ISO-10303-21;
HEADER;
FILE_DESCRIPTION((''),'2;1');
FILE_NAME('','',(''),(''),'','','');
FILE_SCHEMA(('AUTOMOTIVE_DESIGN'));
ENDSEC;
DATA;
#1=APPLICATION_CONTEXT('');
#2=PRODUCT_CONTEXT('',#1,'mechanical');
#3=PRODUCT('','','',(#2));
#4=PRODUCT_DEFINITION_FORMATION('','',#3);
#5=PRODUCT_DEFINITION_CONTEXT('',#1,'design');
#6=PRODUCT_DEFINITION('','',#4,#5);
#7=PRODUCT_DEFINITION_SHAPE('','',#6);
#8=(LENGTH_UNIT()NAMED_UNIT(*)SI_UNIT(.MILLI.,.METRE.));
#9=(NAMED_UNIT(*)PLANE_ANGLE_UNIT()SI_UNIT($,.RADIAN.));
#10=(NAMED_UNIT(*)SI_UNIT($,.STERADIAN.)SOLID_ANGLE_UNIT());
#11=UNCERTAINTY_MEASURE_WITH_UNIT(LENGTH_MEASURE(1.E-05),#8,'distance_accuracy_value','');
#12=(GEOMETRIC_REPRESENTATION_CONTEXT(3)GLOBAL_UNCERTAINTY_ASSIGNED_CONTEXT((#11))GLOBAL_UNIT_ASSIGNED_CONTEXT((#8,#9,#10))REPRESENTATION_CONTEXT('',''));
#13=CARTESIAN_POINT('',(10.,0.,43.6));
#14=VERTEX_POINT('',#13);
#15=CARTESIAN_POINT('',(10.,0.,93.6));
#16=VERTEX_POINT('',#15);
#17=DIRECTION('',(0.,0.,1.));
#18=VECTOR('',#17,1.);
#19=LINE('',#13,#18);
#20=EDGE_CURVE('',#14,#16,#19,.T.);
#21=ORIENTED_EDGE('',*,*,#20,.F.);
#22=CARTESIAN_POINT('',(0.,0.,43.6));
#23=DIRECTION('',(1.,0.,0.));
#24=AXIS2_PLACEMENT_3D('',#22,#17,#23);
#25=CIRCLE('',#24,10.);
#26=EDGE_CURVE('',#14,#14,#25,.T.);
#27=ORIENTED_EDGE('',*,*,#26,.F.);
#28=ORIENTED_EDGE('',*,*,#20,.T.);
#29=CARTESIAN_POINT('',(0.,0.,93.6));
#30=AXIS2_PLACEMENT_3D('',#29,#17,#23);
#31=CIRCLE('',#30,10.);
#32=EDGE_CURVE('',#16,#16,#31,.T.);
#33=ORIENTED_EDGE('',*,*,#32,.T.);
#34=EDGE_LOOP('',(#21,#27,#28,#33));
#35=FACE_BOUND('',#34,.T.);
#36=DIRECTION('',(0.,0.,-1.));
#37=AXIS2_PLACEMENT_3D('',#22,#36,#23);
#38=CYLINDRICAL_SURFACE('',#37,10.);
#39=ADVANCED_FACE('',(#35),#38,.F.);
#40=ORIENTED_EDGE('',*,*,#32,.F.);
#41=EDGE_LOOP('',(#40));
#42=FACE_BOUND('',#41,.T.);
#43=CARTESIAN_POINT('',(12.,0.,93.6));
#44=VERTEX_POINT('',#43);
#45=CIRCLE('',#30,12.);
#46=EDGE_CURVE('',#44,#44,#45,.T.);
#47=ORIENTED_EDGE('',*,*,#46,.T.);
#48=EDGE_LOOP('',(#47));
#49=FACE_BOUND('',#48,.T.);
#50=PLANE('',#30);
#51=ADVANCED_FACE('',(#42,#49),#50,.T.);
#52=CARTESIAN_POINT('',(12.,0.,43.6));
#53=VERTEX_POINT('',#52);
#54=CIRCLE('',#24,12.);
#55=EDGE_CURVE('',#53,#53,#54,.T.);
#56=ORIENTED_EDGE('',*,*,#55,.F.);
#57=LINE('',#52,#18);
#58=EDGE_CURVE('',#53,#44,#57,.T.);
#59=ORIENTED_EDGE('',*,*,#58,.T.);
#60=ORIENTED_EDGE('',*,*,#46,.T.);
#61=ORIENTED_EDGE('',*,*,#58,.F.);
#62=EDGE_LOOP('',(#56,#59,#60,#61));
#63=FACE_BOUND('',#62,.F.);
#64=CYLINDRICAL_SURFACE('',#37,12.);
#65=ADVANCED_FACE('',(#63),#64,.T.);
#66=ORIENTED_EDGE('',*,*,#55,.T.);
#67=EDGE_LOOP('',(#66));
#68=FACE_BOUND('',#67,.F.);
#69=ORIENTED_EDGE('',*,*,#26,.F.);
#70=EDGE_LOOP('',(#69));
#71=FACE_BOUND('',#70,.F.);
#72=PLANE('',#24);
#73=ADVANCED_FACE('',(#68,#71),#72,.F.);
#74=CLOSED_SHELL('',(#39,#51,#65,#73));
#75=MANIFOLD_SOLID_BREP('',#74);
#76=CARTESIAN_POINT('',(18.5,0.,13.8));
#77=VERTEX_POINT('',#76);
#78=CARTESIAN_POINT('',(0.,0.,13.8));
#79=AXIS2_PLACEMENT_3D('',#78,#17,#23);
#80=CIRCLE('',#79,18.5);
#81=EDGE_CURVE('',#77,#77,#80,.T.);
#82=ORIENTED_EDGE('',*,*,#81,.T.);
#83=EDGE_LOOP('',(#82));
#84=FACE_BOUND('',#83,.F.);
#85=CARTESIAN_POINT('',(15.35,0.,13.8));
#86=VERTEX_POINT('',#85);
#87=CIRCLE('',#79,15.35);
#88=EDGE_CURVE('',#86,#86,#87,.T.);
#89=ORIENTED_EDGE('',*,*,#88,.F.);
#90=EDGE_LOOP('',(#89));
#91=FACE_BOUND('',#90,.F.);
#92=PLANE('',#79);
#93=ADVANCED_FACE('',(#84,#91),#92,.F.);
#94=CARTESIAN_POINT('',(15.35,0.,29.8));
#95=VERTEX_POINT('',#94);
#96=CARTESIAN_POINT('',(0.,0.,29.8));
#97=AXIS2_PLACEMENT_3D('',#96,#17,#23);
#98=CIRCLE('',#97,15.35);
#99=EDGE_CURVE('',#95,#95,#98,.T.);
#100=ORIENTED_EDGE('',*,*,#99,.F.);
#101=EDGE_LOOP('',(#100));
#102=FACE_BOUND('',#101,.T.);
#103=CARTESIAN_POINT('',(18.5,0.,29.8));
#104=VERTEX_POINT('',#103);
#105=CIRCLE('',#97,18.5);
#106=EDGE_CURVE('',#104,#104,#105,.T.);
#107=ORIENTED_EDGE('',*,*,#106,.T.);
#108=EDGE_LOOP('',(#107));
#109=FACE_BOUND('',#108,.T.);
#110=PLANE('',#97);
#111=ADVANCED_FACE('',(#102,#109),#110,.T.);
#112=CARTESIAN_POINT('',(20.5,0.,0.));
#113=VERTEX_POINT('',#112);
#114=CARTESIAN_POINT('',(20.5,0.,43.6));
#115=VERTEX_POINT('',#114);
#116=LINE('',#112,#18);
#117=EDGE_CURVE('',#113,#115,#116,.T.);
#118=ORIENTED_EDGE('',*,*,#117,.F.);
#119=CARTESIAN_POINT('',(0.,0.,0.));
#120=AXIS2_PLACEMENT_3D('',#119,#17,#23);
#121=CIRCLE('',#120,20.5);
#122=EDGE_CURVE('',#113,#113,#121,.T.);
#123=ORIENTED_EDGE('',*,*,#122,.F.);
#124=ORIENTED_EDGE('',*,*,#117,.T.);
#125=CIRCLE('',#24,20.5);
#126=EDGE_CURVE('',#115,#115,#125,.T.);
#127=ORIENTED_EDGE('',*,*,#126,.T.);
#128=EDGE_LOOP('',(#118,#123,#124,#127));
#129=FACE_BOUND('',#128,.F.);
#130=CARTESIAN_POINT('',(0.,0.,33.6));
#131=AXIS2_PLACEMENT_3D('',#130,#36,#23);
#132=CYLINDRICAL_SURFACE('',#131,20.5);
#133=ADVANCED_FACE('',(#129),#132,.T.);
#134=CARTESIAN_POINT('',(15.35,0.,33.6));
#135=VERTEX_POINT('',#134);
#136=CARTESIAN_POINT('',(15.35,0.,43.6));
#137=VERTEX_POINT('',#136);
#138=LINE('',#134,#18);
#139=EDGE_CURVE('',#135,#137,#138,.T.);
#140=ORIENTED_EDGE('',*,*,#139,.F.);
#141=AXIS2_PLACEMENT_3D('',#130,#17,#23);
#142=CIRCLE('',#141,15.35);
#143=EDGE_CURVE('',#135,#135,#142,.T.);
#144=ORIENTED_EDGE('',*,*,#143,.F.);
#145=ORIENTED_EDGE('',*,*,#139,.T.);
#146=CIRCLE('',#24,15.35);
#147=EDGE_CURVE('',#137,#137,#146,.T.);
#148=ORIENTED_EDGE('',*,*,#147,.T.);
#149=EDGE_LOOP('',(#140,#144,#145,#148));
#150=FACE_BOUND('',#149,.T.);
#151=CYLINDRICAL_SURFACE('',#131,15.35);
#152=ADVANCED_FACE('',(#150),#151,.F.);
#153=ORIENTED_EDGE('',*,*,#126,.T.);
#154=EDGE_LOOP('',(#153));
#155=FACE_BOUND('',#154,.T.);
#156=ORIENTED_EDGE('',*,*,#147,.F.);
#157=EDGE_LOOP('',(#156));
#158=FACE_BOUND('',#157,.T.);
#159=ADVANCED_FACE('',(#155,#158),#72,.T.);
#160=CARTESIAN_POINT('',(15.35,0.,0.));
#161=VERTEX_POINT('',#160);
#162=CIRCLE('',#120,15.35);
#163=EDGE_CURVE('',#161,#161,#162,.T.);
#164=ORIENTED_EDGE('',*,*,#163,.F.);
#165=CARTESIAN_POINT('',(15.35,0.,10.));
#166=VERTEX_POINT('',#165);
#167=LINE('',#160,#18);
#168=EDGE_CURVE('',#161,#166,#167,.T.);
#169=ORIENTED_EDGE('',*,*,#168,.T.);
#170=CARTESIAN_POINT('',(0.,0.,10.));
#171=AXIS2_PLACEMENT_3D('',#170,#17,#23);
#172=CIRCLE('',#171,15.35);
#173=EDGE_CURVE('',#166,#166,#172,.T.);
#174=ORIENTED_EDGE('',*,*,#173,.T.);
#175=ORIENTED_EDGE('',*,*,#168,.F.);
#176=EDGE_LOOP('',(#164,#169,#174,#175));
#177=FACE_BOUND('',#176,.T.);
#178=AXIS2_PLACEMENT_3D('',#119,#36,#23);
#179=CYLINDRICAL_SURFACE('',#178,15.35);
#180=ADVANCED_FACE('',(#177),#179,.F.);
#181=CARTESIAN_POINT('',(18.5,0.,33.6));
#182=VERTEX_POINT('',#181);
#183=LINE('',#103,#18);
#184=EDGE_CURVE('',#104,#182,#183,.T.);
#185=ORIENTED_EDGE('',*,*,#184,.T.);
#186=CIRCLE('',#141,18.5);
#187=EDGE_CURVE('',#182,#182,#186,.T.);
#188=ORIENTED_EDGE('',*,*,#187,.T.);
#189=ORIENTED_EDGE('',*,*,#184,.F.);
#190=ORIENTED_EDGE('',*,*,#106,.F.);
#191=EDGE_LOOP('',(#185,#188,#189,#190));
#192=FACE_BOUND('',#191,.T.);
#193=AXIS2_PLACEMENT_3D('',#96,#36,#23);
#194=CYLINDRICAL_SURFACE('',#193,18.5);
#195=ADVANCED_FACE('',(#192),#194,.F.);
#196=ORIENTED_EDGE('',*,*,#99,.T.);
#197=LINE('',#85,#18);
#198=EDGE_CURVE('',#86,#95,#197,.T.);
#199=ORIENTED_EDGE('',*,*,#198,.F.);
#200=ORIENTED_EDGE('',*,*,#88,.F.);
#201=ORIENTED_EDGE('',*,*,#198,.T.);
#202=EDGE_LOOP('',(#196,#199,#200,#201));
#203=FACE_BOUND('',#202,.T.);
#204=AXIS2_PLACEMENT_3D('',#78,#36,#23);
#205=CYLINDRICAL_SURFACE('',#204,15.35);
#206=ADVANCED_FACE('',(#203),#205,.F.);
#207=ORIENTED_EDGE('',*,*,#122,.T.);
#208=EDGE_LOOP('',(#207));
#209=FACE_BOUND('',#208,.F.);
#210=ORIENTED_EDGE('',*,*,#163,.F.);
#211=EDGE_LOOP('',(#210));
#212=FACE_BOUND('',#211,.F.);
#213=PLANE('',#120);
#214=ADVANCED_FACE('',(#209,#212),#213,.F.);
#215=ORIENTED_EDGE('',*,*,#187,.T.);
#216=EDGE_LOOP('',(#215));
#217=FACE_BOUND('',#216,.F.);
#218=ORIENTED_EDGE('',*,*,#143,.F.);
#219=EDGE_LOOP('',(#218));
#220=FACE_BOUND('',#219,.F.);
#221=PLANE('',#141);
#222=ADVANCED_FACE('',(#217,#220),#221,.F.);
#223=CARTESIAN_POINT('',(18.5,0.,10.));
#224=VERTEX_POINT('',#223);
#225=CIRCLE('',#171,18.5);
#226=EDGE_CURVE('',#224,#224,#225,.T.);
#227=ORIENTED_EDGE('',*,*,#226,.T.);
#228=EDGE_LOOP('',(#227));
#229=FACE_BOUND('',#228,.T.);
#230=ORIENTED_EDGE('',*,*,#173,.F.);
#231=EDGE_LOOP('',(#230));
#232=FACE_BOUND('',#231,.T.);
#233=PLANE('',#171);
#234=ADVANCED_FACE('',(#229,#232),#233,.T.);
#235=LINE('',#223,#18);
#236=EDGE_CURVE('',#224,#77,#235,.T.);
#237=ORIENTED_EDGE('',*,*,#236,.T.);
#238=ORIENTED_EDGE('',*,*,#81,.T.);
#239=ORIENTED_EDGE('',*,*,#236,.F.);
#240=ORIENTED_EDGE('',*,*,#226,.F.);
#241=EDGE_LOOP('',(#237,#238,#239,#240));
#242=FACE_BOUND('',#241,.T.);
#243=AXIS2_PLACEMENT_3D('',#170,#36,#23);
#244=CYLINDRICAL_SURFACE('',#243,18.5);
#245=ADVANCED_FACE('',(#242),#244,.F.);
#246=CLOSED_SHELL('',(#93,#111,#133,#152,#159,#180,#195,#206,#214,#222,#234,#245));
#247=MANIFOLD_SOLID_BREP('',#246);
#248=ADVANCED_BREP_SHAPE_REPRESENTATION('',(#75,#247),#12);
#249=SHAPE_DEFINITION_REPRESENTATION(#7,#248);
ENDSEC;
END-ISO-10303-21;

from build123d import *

# Parameters (mm, degrees)
F0_R      = 20.5
F0_R_2    = 15.35
F1_DEPTH  = 10
F2_R      = 20.5
F2_R_2    = 18.5
F3_DEPTH  = 3.8
F4_R      = 20.5
F4_R_2    = 18.5
F4_R_3    = 15.35
F5_DEPTH  = 16
F6_R      = 20.5
F6_R_2    = 18.5
F7_DEPTH  = 3.8
F8_R      = 20.5
F8_R_2    = 18.5
F8_R_3    = 15.35
F9_DEPTH  = 10
F10_R     = 12
F10_R_2   = 10
F11_DEPTH = 50


with BuildPart() as f1:
    # F0 (on Top) → F1 (new body)
    with BuildSketch(Plane.XY):
        Circle(F0_R)
        Circle(F0_R_2, mode=Mode.SUBTRACT)
    extrude(amount=F1_DEPTH)

    # F2 (on face) → F3 (join)
    with BuildSketch(Plane.XY.offset(10)):
        Circle(F2_R)
        Circle(F2_R_2, mode=Mode.SUBTRACT)
    extrude(amount=F3_DEPTH)

    # F4 (on face) → F5 (join)
    with BuildSketch(Plane.XY.offset(13.8)):
        Circle(F4_R)
        Circle(F4_R_2, mode=Mode.SUBTRACT)
        Circle(F4_R_2)
        Circle(F4_R_3, mode=Mode.SUBTRACT)
    extrude(amount=F5_DEPTH)

    # F6 (on face) → F7 (join)
    with BuildSketch(Plane.XY.offset(29.8)):
        Circle(F6_R)
        Circle(F6_R_2, mode=Mode.SUBTRACT)
    extrude(amount=F7_DEPTH)

    # F8 (on face) → F9 (join)
    with BuildSketch(Plane.XY.offset(33.6)):
        Circle(F8_R)
        Circle(F8_R_2, mode=Mode.SUBTRACT)
        Circle(F8_R_2)
        Circle(F8_R_3, mode=Mode.SUBTRACT)
    extrude(amount=F9_DEPTH)


with BuildPart() as f11:
    # F10 (on face) → F11 (new body)
    with BuildSketch(Plane.XY.offset(43.6)):
        Circle(F10_R)
        Circle(F10_R_2, mode=Mode.SUBTRACT)
    extrude(amount=F11_DEPTH)


solid = Compound([f1.part, f11.part])
